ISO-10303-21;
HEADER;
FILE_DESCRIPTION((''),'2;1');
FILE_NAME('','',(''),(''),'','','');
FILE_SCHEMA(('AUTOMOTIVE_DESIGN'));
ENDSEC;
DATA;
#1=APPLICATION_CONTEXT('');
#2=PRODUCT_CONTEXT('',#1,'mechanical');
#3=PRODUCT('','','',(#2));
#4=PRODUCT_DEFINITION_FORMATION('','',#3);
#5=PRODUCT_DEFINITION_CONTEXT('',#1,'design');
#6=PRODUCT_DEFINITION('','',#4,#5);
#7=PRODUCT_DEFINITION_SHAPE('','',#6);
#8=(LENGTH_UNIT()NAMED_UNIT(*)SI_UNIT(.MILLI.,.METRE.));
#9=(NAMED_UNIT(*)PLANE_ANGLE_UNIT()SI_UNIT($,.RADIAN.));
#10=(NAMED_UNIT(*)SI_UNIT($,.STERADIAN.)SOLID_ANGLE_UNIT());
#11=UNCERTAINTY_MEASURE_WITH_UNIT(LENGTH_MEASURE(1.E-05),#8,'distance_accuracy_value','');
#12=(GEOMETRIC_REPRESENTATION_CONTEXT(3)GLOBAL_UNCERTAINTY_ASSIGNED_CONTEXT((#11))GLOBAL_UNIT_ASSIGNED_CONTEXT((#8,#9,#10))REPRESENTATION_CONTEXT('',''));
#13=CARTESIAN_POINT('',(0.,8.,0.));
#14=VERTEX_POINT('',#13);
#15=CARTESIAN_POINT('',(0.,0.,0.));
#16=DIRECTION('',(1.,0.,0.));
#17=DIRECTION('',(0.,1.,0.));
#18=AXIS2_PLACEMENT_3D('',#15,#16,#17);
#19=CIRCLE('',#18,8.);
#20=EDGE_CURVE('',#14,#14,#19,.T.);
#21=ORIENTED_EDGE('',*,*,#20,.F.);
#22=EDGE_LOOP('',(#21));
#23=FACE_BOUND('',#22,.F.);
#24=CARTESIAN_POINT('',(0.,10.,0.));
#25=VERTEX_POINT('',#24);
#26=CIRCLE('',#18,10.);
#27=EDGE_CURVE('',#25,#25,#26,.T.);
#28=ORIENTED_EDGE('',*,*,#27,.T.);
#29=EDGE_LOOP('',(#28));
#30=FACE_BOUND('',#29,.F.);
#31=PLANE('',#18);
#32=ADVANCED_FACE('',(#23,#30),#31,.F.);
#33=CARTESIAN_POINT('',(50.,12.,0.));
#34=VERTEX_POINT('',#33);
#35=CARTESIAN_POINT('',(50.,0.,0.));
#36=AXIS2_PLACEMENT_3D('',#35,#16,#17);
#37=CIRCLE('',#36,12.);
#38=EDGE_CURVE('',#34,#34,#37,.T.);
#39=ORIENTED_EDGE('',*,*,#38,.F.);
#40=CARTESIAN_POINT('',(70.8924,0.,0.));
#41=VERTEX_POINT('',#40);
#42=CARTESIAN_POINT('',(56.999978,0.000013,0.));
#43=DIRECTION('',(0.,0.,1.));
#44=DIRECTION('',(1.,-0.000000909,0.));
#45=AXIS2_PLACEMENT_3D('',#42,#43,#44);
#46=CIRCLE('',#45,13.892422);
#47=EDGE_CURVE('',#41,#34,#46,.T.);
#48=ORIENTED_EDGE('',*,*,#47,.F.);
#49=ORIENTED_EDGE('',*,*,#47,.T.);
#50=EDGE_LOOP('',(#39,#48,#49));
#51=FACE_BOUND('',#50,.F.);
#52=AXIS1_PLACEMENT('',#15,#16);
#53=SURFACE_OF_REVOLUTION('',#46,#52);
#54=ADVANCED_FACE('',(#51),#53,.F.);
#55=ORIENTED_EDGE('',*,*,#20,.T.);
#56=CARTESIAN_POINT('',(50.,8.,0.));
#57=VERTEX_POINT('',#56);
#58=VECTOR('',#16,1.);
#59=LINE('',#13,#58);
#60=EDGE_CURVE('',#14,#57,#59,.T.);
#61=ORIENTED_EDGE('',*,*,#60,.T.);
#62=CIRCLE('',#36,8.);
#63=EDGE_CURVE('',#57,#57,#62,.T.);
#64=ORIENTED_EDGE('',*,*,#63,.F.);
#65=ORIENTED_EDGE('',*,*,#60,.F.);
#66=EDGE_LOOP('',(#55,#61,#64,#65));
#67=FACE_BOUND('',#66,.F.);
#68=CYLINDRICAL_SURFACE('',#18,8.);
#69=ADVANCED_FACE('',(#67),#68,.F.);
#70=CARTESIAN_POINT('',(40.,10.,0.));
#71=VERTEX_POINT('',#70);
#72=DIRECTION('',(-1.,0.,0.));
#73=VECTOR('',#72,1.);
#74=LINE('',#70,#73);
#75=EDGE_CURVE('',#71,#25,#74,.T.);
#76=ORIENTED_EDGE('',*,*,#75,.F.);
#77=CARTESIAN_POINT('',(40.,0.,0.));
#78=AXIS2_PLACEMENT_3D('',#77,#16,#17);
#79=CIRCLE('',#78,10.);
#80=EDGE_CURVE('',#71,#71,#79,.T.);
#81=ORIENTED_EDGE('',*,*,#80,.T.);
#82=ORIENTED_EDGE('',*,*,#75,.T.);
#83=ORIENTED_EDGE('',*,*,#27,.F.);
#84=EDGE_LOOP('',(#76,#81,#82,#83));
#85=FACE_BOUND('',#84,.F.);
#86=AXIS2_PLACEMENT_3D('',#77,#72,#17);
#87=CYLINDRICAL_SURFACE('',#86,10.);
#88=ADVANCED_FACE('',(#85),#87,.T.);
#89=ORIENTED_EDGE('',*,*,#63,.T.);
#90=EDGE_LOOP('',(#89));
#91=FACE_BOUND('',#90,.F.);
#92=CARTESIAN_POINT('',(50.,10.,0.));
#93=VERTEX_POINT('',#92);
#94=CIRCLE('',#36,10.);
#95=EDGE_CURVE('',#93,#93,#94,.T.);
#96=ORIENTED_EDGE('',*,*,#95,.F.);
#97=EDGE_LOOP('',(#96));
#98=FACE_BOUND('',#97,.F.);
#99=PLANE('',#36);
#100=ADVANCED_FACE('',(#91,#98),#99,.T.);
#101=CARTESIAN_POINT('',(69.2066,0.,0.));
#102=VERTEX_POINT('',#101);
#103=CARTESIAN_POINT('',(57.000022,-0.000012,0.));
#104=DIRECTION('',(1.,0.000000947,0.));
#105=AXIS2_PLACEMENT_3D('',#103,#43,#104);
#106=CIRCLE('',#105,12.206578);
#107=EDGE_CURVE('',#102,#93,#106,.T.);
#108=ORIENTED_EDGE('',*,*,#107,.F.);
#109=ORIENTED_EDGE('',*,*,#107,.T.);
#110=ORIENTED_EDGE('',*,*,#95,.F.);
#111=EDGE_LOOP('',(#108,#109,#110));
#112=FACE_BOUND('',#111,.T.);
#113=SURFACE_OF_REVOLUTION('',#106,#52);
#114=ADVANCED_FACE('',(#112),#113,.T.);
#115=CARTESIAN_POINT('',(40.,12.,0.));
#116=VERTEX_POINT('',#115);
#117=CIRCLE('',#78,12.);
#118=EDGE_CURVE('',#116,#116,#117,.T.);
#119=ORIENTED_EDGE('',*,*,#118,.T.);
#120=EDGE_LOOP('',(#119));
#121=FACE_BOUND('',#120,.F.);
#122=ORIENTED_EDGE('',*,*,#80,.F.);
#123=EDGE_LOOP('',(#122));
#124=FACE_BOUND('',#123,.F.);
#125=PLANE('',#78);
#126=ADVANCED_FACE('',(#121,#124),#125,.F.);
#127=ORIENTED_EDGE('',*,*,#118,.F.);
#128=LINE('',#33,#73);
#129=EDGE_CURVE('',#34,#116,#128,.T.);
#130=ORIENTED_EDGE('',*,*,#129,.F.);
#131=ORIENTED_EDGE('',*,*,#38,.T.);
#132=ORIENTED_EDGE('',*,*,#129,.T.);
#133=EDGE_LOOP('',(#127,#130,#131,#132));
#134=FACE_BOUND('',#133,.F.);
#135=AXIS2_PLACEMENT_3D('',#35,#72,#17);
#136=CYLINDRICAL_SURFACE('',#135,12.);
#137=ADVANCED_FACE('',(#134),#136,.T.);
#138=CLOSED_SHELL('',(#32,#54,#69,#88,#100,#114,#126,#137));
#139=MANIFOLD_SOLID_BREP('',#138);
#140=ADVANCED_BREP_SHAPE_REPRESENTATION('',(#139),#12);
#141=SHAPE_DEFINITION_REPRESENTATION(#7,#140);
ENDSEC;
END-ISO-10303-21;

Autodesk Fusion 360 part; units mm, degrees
sketch "Sketch1" plane through (0, 0, 0) normal (0, 0, 1) x (1, 0, 0)
  line L0 (0, 0) -> (50, 0)
  line L1 (50, 8) -> (50, 10)
  line L2 (40, 10) -> (0, 10)
  line L3 (0, 10) -> (0, 0)
  line L4 (50, 10) -> (40, 10) construction
  line L5 (50, 10) -> (50, 12)
  line L6 (50, 12) -> (40, 12)
  line L7 (40, 12) -> (40, 10)
  line L8 (50, 0) -> (57, 0) construction
  arc A0 (70.8924, 0) -> (50, 12) centre (57, 0) ccw
  arc A1 (69.2066, 0) -> (50, 10) centre (57, 0) ccw
  line L9 (50, 0) -> (70.8924, 0)
  line L10 (0, 0) -> (0, 8) construction
  line L11 (0, 8) -> (50, 8)
  line L12 (50, 8) -> (50, 10)
  dimension "d1" = 50
  dimension "d2" = 10
  dimension "d3" = 10
  dimension "d4" = 10
  dimension "d5" = 2
  dimension "d6" = 7
  dimension "d7" = 8
  dimension "d8" = 50
revolve "Revolve1" add sketch "Sketch1" angle 360 about axis through (0, 0, 0) along (1, 0, 0) contours L1 L2 L3 L5 L6 L7 L11 L12 | L5 A0 A1 L9
